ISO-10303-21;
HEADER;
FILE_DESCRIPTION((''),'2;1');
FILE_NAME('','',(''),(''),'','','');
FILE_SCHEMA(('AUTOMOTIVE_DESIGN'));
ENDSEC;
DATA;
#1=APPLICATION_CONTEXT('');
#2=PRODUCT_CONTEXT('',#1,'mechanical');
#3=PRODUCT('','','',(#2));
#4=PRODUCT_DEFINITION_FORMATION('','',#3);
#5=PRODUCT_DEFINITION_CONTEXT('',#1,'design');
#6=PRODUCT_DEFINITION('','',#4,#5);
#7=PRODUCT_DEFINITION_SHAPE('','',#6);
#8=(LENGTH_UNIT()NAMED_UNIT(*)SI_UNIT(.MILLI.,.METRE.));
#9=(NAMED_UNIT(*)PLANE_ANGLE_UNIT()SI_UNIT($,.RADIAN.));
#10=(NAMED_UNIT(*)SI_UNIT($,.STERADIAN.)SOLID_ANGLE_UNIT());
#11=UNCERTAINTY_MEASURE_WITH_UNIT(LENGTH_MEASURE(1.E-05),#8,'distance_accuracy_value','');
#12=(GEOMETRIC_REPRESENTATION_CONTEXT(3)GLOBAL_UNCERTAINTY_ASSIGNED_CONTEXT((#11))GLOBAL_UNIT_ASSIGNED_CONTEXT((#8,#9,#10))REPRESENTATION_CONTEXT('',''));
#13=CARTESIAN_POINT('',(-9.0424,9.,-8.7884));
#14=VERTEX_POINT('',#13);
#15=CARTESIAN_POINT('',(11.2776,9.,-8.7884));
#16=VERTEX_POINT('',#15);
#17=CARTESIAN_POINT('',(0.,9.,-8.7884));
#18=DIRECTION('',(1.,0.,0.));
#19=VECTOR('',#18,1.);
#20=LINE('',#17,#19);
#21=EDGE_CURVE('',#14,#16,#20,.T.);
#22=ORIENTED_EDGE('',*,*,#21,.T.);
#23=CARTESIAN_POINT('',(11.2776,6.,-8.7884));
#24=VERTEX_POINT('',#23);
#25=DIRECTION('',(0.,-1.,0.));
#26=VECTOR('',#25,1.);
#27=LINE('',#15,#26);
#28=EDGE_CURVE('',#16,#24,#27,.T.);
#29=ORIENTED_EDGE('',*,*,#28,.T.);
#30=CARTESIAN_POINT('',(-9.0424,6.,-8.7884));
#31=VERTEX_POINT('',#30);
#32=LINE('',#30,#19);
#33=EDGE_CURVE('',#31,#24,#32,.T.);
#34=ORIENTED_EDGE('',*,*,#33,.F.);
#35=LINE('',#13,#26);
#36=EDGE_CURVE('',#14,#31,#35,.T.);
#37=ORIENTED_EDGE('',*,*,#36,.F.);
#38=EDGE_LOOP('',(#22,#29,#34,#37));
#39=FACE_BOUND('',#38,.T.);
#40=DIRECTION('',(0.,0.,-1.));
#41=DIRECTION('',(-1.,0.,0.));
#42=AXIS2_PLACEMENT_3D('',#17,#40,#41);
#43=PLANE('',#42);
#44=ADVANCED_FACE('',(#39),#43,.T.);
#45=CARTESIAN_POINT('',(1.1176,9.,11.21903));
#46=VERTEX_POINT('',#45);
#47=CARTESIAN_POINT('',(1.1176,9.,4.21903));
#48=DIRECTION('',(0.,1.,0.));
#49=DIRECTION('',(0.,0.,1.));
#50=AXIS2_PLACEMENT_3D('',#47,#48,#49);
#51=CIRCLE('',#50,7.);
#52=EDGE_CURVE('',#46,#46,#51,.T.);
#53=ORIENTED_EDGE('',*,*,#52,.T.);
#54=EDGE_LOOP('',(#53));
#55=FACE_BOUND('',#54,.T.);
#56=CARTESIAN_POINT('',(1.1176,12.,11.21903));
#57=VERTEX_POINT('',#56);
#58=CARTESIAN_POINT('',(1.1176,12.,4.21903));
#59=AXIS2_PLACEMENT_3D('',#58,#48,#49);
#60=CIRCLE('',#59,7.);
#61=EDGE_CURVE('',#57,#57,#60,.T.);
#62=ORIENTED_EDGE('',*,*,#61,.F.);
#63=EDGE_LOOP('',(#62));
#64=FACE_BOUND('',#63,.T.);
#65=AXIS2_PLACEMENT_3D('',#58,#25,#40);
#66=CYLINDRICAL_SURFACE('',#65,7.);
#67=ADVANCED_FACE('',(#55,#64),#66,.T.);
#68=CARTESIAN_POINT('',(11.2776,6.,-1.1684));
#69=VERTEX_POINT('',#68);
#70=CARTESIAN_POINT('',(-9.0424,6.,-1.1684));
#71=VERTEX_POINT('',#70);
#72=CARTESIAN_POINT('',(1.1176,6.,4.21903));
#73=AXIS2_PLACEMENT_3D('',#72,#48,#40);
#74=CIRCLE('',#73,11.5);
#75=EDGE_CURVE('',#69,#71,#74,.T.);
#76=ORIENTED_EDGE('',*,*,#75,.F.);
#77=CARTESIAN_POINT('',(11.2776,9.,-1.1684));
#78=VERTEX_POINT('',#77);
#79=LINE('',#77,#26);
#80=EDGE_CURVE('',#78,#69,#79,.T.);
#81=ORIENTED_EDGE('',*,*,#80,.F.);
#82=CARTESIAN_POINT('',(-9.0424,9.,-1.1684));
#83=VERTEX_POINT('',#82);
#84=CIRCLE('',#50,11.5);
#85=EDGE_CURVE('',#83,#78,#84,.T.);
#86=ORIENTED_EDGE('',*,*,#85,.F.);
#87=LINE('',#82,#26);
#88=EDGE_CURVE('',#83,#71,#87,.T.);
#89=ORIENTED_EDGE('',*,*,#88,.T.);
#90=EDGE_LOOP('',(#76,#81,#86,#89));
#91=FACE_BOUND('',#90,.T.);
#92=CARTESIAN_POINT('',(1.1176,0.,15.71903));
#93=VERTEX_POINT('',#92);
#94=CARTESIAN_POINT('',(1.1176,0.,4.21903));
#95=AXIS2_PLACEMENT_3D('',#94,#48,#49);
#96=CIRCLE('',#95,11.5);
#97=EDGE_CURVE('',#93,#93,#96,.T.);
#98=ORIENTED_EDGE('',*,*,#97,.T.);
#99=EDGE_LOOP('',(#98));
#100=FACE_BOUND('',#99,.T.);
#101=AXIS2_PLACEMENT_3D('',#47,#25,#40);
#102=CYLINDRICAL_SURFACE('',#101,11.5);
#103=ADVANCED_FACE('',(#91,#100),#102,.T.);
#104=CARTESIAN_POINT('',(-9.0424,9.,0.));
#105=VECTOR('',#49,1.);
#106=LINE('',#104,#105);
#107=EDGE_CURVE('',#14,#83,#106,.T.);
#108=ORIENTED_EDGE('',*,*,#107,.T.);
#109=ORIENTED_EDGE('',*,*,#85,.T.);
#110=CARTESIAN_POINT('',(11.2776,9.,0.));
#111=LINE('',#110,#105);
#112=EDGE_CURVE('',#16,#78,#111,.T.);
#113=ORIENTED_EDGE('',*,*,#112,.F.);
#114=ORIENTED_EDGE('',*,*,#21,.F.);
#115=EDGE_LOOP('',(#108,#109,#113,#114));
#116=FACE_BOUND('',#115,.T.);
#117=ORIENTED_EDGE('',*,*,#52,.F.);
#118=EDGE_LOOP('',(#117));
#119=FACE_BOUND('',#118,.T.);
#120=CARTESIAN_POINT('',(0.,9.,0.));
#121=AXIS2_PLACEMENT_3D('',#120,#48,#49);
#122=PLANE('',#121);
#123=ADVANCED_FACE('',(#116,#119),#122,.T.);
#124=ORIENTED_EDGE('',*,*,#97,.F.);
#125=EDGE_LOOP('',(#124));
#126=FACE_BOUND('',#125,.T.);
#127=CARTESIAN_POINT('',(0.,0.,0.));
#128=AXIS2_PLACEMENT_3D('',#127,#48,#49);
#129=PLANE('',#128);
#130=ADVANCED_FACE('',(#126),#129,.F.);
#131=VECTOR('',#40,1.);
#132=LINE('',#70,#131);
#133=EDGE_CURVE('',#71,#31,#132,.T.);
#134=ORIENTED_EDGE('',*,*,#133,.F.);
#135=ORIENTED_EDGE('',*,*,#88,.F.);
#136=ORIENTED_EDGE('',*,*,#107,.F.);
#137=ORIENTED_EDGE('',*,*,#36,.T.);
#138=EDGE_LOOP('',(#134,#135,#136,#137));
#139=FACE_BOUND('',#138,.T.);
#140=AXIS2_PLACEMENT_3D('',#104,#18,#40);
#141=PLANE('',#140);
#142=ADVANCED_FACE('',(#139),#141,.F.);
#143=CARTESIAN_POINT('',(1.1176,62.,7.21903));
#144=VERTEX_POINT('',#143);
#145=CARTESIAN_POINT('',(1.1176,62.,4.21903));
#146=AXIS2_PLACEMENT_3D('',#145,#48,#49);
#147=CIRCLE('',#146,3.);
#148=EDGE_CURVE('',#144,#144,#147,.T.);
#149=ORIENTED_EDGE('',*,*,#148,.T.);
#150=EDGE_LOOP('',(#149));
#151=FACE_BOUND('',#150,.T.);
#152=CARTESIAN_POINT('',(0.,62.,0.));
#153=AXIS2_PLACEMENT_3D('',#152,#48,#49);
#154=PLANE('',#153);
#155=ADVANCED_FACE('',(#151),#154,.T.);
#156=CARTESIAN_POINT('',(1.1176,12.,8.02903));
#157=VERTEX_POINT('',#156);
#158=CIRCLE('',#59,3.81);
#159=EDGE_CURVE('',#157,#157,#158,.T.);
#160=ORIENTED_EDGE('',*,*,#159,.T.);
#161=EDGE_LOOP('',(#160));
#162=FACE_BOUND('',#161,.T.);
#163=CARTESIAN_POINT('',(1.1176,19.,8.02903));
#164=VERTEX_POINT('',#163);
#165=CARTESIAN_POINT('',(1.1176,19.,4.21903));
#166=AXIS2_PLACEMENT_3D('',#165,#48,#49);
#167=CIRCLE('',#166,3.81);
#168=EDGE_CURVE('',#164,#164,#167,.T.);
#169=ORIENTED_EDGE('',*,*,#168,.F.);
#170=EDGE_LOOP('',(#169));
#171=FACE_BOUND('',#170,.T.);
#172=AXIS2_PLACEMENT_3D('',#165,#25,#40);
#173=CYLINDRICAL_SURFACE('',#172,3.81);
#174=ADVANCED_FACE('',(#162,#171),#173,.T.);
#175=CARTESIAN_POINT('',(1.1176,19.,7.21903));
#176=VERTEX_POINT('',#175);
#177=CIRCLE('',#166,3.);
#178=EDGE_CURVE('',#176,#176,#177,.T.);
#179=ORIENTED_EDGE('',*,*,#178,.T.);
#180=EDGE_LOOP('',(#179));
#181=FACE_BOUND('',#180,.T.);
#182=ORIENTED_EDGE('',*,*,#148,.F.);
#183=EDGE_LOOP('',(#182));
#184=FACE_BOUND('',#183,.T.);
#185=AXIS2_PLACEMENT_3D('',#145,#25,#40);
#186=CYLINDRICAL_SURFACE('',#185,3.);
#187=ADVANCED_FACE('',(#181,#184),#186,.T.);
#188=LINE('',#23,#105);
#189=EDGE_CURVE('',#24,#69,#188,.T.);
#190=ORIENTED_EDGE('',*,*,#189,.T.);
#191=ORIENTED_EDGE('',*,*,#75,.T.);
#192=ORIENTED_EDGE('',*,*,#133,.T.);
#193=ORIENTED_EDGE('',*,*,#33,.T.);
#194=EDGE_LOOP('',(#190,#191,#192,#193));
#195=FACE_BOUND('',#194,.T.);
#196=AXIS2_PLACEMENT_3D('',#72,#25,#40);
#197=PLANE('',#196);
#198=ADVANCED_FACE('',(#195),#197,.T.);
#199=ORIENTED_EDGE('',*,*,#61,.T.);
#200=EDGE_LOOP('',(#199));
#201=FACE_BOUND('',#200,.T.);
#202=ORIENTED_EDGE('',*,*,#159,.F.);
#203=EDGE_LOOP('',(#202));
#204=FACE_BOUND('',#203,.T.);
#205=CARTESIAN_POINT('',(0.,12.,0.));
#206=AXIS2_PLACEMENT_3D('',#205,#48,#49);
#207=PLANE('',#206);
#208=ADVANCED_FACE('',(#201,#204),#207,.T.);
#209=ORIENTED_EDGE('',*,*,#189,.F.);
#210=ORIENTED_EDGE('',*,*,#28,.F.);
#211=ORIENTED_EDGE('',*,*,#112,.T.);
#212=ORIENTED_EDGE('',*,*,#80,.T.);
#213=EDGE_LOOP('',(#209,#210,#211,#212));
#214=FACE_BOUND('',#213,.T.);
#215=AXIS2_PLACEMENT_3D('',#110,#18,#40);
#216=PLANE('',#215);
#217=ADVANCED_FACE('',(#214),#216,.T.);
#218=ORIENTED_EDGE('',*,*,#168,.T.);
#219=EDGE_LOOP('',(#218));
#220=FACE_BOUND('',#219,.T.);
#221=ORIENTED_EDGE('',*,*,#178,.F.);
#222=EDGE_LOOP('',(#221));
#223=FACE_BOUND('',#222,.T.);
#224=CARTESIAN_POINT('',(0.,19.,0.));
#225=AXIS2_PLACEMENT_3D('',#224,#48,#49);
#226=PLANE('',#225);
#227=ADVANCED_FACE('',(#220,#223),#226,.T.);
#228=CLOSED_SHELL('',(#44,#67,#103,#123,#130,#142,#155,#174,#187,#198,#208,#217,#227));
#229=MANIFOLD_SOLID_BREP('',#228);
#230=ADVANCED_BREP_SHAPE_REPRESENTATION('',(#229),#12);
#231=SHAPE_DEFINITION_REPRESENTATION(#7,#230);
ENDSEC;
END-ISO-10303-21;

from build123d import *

# Parameters (mm, degrees)
SKETCH1_R           = 7
BOSS_EXTRUDE1_DEPTH = 9
SKETCH1_3_R         = 7
SKETCH1_3_R_2       = 3.81
BOSS_EXTRUDE2_DEPTH = 12
SKETCH1_4_R         = 3.81
SKETCH1_4_R_2       = 3
BOSS_EXTRUDE3_DEPTH = 19
SKETCH1_5_R         = 3
BOSS_EXTRUDE4_DEPTH = 62
CUT_EXTRUDE1_DEPTH  = 6


with BuildPart() as part:
    # Sketch1 → Boss-Extrude1 (new body)
    with BuildSketch(Plane(origin=(0, 0, 0), x_dir=(1, 0, 0), z_dir=(0, 1, 0))):
        with BuildLine():
            Line((11.2776, 8.7884), (-9.0424, 8.7884))
            Line((-9.0424, 8.7884), (-9.0424, 1.1684))
            ThreePointArc((-9.0424, 1.1684), (1.1176, -15.719029814), (11.2776, 1.1684))
            Line((11.2776, 1.1684), (11.2776, 8.7884))
        make_face()
        with Locations((1.1176, -4.219029814)):
            Circle(SKETCH1_R, mode=Mode.SUBTRACT)
    extrude(amount=BOSS_EXTRUDE1_DEPTH)

    # Sketch1<3> → Boss-Extrude2 (add)
    with BuildSketch(Plane(origin=(0, 0, 0), x_dir=(1, 0, 0), z_dir=(0, 1, 0))):
        with Locations((1.1176, -4.219029814)):
            Circle(SKETCH1_3_R)
        with Locations((1.1176, -4.219029814)):
            Circle(SKETCH1_3_R_2, mode=Mode.SUBTRACT)
    extrude(amount=BOSS_EXTRUDE2_DEPTH)

    # Sketch1<4> → Boss-Extrude3 (add)
    with BuildSketch(Plane(origin=(0, 0, 0), x_dir=(1, 0, 0), z_dir=(0, 1, 0))):
        with Locations((1.1176, -4.219029814)):
            Circle(SKETCH1_4_R)
        with Locations((1.1176, -4.219029814)):
            Circle(SKETCH1_4_R_2, mode=Mode.SUBTRACT)
    extrude(amount=BOSS_EXTRUDE3_DEPTH)

    # Sketch1<5> → Boss-Extrude4 (add)
    with BuildSketch(Plane(origin=(0, 0, 0), x_dir=(1, 0, 0), z_dir=(0, 1, 0))):
        with Locations((1.1176, -4.219029814)):
            Circle(SKETCH1_5_R)
    extrude(amount=BOSS_EXTRUDE4_DEPTH)

    # Sketch2 → Cut-Extrude1 (cut)
    with BuildSketch(Plane(origin=(0, 0, 0), x_dir=(-1, 0, 0), z_dir=(0, -1, 0))):
        with BuildLine():
            Line((9.0424, 1.1684), (9.0424, 8.7884))
            Line((9.0424, 8.7884), (-11.2776, 8.7884))
            Line((-11.2776, 8.7884), (-11.2776, 1.1684))
            ThreePointArc((-11.2776, 1.1684), (-1.1176, 7.280970186), (9.0424, 1.1684))
        make_face()
    extrude(amount=-CUT_EXTRUDE1_DEPTH, mode=Mode.SUBTRACT)


solid = part.part
